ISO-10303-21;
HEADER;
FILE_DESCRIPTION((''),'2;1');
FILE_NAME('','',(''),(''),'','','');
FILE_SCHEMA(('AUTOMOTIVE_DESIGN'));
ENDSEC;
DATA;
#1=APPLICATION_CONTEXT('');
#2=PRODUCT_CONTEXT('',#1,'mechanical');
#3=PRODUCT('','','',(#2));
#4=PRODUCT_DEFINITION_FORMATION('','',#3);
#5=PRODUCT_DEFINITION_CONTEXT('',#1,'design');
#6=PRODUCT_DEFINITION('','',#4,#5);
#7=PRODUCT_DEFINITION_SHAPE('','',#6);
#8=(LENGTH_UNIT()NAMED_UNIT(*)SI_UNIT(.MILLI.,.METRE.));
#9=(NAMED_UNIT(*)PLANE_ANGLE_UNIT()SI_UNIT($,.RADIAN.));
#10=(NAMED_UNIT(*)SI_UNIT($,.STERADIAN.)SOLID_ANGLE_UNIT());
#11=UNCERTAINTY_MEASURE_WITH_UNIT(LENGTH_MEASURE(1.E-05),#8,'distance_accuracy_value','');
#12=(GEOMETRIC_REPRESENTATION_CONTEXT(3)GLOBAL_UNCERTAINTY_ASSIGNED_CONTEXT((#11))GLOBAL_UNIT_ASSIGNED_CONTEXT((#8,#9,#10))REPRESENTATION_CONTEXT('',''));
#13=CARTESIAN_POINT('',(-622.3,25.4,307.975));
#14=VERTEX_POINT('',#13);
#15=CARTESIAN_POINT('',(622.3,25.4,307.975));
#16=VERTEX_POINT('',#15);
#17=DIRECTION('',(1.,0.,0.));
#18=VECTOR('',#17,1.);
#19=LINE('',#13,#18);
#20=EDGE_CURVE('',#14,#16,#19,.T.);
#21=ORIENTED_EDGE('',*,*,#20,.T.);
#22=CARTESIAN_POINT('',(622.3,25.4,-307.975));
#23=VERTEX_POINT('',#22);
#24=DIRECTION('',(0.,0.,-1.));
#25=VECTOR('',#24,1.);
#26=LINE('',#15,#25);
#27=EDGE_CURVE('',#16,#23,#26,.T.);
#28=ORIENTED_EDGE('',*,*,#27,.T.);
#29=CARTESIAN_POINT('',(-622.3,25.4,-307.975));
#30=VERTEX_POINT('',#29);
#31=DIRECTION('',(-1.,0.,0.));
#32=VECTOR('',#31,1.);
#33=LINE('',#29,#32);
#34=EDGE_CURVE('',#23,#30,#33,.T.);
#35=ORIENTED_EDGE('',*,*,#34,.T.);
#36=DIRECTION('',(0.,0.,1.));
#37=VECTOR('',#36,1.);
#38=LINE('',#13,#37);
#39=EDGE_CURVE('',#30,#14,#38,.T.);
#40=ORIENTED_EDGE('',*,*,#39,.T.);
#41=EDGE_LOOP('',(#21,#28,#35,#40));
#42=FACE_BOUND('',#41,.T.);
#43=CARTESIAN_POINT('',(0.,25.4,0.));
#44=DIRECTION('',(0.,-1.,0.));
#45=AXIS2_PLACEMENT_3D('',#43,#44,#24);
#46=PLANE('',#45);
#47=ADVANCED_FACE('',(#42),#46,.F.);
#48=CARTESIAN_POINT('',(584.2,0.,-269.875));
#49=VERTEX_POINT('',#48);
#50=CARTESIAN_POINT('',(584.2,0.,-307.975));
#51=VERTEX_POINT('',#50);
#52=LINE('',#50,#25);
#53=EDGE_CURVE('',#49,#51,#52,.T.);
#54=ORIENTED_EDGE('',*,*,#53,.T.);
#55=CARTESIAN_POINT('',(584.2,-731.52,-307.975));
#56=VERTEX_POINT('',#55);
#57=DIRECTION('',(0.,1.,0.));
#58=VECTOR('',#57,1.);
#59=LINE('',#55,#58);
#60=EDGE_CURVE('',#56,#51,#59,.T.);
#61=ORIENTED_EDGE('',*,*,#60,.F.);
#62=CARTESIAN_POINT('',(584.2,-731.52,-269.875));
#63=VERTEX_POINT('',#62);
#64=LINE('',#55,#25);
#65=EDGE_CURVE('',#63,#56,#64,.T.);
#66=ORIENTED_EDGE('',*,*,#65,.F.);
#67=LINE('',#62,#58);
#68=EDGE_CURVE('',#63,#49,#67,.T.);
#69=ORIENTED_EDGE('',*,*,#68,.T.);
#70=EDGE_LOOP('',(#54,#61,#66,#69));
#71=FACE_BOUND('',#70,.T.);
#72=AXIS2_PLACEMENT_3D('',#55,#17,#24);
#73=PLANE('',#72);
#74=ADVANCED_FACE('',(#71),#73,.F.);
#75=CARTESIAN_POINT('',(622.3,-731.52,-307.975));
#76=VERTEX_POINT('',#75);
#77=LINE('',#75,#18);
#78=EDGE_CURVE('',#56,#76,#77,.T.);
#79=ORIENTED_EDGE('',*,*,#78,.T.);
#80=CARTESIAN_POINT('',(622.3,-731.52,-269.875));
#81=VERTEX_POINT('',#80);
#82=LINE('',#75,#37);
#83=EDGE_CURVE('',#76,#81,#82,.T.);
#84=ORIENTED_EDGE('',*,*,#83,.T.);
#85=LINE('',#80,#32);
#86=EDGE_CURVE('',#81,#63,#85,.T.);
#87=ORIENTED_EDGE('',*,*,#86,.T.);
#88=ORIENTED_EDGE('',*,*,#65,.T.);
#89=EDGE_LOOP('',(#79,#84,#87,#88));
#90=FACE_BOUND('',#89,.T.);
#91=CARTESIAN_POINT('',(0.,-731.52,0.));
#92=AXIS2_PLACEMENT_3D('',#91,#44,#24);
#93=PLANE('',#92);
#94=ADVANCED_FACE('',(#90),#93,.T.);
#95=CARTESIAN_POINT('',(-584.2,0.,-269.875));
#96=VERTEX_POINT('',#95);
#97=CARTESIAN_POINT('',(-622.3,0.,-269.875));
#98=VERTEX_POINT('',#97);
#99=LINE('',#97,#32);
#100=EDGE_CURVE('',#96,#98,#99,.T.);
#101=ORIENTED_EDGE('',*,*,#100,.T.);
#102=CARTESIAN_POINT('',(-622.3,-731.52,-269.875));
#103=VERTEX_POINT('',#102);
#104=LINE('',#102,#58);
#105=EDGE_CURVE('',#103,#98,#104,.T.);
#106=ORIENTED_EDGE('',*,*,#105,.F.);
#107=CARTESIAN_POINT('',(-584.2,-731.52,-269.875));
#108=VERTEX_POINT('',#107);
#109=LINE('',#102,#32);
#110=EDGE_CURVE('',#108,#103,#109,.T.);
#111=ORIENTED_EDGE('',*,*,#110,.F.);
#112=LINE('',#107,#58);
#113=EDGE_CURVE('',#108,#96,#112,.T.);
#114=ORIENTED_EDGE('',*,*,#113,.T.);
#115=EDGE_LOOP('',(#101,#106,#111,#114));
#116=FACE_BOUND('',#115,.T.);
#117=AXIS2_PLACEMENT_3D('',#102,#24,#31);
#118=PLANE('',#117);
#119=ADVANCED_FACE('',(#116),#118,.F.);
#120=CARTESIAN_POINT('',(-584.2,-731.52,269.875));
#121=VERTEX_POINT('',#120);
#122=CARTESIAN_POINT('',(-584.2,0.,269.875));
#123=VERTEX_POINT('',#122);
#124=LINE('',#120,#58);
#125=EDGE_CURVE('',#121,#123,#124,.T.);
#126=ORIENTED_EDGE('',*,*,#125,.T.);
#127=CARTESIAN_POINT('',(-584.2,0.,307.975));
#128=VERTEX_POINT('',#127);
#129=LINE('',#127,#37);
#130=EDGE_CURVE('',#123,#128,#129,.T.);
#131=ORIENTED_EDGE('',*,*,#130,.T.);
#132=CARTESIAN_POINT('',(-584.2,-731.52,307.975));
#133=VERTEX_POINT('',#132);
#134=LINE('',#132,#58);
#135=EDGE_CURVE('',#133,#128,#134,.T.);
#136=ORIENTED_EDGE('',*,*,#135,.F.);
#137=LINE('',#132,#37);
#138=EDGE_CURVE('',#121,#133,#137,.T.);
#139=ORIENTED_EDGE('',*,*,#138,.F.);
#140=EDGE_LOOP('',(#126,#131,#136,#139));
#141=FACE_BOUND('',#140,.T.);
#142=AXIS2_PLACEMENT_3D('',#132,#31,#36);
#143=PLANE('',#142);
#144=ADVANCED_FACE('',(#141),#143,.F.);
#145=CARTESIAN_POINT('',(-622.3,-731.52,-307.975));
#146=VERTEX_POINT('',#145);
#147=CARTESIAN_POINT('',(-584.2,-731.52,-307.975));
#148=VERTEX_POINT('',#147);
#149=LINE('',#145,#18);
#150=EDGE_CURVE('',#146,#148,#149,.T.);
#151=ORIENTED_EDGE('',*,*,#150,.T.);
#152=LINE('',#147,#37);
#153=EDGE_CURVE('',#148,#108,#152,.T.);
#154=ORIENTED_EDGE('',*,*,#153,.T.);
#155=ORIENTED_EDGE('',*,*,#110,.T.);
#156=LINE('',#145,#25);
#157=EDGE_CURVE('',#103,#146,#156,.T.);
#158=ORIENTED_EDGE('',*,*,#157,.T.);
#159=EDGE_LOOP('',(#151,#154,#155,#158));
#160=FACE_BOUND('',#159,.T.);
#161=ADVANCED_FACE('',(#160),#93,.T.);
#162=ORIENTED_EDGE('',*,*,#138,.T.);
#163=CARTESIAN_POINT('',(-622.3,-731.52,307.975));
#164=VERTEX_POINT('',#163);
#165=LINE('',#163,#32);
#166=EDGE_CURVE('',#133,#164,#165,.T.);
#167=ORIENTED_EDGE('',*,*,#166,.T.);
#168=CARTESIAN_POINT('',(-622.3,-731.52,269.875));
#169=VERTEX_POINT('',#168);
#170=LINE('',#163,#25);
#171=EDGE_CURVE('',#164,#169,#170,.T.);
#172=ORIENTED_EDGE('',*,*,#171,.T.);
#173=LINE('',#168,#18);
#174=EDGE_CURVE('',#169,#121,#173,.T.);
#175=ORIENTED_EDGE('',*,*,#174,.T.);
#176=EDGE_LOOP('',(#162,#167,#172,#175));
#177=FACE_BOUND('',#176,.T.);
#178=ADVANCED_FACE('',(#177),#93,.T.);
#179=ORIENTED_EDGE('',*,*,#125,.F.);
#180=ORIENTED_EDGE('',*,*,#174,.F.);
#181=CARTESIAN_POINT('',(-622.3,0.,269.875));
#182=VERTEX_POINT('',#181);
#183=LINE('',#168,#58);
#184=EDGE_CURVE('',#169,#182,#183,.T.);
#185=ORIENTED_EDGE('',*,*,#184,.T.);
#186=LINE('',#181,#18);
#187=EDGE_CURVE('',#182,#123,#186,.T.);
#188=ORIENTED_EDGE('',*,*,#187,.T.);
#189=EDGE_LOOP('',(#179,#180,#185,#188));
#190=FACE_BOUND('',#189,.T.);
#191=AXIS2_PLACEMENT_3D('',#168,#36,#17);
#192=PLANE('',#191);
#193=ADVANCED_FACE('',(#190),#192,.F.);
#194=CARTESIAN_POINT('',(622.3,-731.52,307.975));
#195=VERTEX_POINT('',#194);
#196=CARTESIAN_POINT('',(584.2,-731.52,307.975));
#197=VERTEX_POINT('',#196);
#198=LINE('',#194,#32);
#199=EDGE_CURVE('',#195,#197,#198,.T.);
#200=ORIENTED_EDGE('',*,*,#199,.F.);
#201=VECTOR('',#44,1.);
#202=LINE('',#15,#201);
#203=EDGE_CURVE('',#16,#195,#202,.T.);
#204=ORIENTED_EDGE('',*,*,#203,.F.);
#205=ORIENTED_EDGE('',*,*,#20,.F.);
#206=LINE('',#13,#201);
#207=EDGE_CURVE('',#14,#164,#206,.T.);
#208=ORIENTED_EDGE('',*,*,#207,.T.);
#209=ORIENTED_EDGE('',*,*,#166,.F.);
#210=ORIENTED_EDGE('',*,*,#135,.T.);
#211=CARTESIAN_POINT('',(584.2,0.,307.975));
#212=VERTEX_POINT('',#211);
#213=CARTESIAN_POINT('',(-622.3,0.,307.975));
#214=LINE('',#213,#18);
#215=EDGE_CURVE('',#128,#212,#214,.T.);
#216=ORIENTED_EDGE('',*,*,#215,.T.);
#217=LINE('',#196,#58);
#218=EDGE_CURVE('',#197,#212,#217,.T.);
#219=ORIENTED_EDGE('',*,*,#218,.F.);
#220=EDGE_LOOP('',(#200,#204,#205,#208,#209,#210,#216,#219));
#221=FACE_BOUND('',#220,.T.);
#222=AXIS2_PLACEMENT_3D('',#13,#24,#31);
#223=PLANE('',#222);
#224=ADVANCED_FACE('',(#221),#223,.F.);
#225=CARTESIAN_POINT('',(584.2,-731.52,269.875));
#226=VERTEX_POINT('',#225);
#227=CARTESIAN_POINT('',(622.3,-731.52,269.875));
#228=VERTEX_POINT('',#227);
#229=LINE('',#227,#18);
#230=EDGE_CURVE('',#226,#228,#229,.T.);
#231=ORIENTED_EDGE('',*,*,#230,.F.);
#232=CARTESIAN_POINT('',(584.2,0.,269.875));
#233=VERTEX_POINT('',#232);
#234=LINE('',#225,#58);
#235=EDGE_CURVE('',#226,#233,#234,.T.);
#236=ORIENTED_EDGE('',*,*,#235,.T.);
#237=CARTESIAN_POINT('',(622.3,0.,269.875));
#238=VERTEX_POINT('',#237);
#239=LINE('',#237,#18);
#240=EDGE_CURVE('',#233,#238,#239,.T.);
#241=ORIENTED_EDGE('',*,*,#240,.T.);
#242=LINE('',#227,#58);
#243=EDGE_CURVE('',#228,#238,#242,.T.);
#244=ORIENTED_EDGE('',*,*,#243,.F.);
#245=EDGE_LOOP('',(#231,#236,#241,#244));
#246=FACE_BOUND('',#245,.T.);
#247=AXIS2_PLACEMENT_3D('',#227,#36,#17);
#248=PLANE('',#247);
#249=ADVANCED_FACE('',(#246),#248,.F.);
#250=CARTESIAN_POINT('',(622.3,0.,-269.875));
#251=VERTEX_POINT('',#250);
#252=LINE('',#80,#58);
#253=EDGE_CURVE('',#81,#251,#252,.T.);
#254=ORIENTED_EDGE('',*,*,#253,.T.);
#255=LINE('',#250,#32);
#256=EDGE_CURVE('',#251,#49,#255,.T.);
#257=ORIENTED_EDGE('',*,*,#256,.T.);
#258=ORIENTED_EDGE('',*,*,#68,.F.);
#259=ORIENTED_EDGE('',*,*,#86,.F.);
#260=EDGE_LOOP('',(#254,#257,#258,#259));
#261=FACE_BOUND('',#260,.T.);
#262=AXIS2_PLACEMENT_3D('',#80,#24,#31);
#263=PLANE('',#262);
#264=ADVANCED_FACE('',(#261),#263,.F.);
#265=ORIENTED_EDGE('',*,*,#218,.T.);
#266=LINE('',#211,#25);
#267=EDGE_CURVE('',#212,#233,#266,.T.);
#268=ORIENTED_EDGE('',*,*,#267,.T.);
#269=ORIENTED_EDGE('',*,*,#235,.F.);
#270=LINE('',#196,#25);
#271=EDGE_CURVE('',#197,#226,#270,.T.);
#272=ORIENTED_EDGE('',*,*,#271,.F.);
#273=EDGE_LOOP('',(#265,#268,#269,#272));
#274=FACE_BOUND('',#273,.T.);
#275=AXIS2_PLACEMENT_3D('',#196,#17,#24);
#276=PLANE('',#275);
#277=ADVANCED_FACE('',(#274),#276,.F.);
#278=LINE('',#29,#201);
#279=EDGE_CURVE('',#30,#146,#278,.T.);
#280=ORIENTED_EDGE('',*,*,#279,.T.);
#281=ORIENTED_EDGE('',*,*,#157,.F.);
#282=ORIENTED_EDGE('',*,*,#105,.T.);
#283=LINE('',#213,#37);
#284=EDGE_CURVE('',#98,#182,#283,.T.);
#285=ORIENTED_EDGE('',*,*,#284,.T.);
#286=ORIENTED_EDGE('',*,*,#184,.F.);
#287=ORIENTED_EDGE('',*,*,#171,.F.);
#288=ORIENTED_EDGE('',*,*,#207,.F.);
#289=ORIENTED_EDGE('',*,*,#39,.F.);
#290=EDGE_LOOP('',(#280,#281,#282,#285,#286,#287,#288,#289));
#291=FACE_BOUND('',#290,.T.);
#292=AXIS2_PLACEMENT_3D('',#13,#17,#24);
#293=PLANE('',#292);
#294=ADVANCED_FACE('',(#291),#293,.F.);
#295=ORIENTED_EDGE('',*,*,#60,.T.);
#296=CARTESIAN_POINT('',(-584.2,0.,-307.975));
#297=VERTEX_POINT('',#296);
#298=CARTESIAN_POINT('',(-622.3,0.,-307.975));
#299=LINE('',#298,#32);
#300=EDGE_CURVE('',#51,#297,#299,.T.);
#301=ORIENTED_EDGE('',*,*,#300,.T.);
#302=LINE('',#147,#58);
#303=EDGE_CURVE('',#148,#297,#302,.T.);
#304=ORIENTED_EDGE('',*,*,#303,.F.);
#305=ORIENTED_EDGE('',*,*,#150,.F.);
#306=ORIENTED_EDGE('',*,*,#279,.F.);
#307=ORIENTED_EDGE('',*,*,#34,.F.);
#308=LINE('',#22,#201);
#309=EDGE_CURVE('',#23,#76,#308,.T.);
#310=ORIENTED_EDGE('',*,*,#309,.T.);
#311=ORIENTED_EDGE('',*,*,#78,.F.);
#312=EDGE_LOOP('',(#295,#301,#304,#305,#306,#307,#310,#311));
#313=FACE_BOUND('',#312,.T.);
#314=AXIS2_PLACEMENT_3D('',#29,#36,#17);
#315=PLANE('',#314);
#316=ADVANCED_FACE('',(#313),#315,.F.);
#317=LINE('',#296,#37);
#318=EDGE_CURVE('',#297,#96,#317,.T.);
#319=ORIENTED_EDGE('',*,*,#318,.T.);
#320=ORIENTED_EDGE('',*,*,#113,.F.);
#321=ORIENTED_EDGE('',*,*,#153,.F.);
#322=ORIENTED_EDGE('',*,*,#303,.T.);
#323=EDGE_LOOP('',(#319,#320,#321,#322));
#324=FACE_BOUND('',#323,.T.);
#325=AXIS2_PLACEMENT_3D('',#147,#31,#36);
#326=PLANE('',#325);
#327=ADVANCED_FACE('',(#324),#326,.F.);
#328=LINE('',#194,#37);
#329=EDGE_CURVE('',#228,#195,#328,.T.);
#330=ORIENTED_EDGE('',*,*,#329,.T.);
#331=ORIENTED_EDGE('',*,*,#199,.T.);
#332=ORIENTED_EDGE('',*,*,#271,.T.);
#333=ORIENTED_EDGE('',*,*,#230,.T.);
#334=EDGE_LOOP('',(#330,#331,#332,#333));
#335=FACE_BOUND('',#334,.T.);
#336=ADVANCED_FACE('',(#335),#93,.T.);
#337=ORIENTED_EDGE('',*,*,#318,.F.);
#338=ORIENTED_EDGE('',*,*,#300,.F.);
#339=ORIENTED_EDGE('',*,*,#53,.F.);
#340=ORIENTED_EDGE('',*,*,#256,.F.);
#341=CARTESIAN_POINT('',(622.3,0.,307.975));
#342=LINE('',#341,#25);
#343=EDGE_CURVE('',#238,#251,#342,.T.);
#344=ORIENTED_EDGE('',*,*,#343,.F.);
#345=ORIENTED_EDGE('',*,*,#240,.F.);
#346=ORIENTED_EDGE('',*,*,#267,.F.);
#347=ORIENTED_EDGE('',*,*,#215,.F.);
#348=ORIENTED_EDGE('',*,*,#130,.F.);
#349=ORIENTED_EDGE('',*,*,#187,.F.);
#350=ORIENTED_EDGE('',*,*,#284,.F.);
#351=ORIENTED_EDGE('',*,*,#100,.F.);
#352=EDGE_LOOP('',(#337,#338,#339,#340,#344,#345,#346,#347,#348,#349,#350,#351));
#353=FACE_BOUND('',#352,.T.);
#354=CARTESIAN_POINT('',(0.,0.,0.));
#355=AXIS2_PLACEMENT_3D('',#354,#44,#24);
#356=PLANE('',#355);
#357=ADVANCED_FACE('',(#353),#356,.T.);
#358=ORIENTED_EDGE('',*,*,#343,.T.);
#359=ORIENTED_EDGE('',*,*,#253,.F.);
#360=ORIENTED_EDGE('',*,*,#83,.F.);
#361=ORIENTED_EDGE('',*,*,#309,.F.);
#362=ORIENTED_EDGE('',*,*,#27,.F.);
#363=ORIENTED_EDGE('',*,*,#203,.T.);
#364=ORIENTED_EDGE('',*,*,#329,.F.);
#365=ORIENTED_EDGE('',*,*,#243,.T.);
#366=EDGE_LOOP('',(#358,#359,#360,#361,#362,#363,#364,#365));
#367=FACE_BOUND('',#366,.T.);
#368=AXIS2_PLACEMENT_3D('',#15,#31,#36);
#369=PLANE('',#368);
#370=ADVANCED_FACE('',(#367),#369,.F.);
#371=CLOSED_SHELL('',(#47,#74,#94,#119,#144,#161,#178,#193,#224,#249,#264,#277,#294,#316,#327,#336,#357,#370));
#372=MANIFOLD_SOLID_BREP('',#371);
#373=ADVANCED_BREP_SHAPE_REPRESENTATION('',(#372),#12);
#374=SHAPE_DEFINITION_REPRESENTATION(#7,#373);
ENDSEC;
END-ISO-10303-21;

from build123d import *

# Parameters (mm, degrees)
SKETCH1_W           = 1244.6
SKETCH1_H           = 615.95
BOSS_EXTRUDE1_DEPTH = 25.4
SKETCH3_W           = 38.1
SKETCH3_H           = 38.1
BOSS_EXTRUDE2_DEPTH = 731.52


with BuildPart() as part:
    # Sketch1 → Boss-Extrude1 (new body)
    with BuildSketch(Plane(origin=(0, 0, 0), x_dir=(1, 0, 0), z_dir=(0, 1, 0))):
        Rectangle(SKETCH1_W, SKETCH1_H)
    extrude(amount=BOSS_EXTRUDE1_DEPTH)

    # Sketch3 → Boss-Extrude2 (add)
    with BuildSketch(Plane.XZ):
        with Locations((-603.25, 288.925)):
            Rectangle(SKETCH3_W, SKETCH3_H)
        with Locations((603.25, 288.925)):
            Rectangle(SKETCH3_W, SKETCH3_H)
        with Locations((603.25, -288.925)):
            Rectangle(SKETCH3_W, SKETCH3_H)
        with Locations((-603.25, -288.925)):
            Rectangle(SKETCH3_W, SKETCH3_H)
    extrude(amount=BOSS_EXTRUDE2_DEPTH)


solid = part.part
